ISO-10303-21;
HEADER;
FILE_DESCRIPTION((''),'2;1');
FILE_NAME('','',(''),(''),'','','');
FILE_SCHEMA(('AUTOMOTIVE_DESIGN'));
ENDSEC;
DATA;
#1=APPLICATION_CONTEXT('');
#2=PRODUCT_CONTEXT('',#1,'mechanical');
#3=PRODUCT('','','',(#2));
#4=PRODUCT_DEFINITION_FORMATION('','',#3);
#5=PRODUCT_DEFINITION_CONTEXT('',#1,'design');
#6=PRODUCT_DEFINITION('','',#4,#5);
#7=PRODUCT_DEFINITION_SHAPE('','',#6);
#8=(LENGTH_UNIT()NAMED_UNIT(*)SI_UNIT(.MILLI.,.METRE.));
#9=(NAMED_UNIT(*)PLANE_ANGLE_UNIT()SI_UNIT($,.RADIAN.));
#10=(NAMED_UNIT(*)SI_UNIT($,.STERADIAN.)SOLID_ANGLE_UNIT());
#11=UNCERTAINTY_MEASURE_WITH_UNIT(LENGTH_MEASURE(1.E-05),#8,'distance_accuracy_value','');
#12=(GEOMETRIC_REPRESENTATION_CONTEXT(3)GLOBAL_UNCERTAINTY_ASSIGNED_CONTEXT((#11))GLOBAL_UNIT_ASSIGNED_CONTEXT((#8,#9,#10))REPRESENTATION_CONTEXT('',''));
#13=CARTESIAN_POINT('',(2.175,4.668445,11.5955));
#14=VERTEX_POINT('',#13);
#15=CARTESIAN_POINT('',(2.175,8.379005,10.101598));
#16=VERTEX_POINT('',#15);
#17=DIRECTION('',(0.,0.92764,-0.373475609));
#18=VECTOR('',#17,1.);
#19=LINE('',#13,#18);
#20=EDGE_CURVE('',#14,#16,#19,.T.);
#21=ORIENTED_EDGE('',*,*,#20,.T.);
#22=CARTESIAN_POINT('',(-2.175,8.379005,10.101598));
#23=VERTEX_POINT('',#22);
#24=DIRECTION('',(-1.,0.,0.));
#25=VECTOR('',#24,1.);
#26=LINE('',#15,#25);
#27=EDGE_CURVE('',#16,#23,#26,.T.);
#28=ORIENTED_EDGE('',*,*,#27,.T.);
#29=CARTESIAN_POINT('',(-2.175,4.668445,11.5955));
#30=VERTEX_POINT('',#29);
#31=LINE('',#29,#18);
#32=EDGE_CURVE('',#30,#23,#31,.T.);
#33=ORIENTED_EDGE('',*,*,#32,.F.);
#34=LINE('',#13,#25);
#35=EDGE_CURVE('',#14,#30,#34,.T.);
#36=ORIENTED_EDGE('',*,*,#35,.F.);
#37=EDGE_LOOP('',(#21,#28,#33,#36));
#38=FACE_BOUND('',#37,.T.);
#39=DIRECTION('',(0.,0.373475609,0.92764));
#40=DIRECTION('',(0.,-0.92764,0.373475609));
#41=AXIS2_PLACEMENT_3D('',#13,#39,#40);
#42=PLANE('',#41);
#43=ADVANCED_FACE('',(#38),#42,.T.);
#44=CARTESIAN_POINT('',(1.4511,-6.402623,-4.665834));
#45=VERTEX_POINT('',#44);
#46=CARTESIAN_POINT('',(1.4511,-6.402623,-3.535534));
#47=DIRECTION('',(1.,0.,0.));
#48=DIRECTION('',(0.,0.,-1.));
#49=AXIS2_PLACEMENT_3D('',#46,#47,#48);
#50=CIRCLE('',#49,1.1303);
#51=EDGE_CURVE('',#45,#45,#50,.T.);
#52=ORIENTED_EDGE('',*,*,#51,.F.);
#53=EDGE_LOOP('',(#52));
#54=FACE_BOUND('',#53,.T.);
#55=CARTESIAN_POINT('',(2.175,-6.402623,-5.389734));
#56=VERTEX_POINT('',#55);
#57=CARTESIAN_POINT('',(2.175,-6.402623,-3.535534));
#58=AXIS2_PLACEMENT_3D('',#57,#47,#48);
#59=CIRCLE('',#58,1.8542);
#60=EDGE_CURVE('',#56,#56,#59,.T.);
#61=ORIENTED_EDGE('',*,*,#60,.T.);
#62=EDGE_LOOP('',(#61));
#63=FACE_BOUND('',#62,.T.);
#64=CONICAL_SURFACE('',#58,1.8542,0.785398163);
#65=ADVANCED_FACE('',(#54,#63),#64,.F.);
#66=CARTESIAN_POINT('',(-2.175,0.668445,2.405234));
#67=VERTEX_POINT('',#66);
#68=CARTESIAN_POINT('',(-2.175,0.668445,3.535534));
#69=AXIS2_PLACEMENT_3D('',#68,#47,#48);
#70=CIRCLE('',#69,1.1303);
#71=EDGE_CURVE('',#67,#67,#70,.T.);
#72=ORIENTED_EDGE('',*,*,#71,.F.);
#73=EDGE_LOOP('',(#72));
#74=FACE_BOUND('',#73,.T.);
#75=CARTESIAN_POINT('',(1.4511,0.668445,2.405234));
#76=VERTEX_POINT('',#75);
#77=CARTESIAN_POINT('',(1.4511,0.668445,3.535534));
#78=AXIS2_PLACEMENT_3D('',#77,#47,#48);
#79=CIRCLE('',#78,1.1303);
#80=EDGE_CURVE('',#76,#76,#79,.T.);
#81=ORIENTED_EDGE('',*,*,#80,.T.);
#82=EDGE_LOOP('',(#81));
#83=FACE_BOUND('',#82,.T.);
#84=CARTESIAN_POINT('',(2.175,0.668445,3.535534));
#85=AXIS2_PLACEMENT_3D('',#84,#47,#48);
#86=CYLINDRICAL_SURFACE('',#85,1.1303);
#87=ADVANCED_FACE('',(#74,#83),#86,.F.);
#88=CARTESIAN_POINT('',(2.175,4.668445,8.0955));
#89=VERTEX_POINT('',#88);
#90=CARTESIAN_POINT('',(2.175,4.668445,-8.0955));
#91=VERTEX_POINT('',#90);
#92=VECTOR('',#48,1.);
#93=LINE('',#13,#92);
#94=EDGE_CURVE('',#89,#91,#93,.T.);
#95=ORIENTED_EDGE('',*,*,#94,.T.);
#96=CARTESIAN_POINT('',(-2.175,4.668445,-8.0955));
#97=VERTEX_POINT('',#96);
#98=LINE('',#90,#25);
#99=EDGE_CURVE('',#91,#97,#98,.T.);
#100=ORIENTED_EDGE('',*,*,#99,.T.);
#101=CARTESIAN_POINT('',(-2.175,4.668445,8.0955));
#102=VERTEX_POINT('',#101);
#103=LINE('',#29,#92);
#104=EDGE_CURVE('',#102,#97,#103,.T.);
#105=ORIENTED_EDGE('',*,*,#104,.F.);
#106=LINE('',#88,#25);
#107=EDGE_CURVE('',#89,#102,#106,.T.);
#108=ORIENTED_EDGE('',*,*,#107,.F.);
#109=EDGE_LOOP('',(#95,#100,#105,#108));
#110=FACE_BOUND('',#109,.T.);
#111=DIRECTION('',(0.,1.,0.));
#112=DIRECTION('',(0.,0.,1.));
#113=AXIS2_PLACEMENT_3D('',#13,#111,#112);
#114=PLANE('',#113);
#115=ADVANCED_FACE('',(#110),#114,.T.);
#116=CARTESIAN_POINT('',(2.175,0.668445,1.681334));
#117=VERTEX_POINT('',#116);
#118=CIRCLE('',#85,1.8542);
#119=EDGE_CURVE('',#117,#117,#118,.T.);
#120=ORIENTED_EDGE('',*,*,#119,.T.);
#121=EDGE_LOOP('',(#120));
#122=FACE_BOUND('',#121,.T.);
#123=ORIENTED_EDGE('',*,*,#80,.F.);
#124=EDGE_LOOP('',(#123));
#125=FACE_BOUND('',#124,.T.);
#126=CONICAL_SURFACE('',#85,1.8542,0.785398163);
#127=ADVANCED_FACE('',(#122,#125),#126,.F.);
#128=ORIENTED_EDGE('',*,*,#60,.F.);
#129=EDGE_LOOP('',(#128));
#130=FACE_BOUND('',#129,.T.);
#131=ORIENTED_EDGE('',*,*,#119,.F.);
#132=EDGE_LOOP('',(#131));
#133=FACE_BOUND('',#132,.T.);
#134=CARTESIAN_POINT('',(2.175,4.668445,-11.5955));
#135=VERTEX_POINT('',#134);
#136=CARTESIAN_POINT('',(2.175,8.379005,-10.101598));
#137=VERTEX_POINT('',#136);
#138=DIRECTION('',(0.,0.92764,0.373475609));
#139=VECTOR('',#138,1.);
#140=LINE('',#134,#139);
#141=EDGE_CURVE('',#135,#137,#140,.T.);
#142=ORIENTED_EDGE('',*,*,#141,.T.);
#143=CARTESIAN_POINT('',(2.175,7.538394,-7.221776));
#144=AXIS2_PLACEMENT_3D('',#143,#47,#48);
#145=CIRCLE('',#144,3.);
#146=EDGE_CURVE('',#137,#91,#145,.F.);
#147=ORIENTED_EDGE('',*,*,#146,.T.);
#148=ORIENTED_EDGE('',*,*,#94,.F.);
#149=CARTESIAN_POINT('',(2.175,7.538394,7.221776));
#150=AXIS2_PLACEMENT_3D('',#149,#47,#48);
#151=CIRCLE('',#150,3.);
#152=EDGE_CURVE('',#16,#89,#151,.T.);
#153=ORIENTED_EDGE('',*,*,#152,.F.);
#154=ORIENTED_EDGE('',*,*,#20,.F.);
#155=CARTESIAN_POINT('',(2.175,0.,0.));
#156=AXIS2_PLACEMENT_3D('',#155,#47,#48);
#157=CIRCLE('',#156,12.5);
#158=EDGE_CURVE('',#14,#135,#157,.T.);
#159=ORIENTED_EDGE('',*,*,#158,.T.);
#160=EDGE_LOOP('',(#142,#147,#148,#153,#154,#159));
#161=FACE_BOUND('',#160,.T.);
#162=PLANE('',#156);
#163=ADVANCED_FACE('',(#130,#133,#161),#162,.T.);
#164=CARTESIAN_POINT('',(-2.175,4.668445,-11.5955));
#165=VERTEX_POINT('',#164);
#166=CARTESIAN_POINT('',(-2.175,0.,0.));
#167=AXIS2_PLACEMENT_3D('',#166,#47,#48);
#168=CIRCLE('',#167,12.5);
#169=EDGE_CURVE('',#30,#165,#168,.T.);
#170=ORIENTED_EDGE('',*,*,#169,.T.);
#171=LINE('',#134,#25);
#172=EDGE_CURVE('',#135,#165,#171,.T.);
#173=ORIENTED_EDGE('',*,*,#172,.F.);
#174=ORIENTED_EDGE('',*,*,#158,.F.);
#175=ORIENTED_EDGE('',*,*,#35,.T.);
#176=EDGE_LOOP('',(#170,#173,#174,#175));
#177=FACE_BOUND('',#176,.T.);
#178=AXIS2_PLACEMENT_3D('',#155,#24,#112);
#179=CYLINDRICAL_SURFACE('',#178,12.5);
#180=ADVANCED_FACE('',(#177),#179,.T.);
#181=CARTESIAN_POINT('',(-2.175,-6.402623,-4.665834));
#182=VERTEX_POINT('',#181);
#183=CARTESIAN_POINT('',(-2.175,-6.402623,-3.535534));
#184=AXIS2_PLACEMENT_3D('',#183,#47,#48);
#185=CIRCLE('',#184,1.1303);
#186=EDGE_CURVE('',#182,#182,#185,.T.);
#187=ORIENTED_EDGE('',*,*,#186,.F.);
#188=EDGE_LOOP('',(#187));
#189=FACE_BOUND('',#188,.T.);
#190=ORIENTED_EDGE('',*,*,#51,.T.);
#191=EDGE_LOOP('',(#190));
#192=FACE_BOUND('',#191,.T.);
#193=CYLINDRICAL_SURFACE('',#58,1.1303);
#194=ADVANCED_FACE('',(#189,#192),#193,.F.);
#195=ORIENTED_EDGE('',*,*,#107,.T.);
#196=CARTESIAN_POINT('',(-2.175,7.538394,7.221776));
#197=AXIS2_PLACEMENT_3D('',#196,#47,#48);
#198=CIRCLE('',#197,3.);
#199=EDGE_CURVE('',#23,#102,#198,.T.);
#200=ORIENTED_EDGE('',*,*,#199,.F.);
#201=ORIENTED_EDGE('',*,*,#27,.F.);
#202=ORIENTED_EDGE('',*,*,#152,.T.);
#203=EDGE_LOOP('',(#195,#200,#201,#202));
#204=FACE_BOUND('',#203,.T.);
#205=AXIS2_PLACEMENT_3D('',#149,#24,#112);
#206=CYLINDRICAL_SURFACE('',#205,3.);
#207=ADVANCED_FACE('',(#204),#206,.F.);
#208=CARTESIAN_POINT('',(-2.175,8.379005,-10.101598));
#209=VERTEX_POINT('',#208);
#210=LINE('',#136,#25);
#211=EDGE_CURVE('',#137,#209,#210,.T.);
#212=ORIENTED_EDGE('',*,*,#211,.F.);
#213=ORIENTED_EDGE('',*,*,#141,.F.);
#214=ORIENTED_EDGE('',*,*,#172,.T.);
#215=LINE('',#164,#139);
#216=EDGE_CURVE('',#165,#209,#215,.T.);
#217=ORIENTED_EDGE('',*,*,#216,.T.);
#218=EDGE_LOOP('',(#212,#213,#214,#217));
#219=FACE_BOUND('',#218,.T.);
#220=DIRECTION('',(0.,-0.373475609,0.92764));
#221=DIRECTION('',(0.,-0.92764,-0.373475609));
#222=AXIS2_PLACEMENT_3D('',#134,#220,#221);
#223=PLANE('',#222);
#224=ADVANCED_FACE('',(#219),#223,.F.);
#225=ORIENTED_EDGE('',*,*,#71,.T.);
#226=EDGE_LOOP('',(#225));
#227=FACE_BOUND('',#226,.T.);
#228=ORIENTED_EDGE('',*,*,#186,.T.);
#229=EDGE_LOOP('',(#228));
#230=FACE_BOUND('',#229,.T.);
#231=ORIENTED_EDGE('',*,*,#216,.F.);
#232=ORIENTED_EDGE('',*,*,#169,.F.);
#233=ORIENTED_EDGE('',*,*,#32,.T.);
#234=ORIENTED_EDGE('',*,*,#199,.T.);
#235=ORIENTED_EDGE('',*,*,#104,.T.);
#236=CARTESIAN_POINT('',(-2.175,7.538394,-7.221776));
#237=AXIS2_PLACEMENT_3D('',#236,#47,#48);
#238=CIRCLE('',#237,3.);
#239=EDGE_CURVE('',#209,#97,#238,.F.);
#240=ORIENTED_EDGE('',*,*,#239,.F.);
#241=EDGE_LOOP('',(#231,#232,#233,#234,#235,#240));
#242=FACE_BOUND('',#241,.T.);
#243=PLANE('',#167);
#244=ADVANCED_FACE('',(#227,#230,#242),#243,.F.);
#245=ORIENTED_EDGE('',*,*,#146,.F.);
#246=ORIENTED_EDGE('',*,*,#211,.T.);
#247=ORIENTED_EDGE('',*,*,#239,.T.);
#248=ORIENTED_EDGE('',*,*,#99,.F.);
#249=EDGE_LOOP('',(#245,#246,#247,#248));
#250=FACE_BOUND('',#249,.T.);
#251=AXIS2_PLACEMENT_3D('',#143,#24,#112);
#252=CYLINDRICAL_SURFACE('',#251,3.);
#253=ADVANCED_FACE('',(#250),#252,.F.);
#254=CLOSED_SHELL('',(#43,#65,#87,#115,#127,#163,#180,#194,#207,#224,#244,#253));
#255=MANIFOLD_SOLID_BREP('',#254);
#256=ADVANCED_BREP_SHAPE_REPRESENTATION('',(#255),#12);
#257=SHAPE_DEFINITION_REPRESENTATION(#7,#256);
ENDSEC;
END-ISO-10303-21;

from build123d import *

# Parameters (mm, degrees)
BOSS_EXTRUDE1_DEPTH             = 2.175
F_2_CLEARANCE_HOLE2_D           = 2.2606
F_2_CLEARANCE_HOLE2_CSINK_D     = 3.7084
F_2_CLEARANCE_HOLE2_CSINK_ANGLE = 90


with BuildPart() as part:
    # Sketch1 → Boss-Extrude1 (new, symmetric)
    with BuildSketch(Plane(origin=(0, 0, 0), x_dir=(0, 0, -1), z_dir=(1, 0, 0))):
        with BuildLine():
            Line((-10.101597565, 8.379005111), (-11.5955, 4.668445111))
            ThreePointArc((-11.5955, 4.668445111), (0, -12.5), (11.5955, 4.668445111))
            Line((11.5955, 4.668445111), (10.101597565, 8.379005111))
            ThreePointArc((10.101597565, 8.379005111), (9.860779562, 6.11162847), (8.0955, 4.668445111))
            Line((8.0955, 4.668445111), (-8.0955, 4.668445111))
            ThreePointArc((-8.0955, 4.668445111), (-9.860779562, 6.11162847), (-10.101597565, 8.379005111))
        make_face()
    extrude(amount=BOSS_EXTRUDE1_DEPTH, both=True)

    # #2 Clearance Hole2 (through all)
    with Locations(Plane(origin=(2.175, 0.668445111, 3.535533906), x_dir=(0, 0, 1), z_dir=(1, 0, 0))):
        with Locations((0, 0), (-7.071067812, 7.071067812)):
            CounterSinkHole(F_2_CLEARANCE_HOLE2_D / 2, F_2_CLEARANCE_HOLE2_CSINK_D / 2, counter_sink_angle=F_2_CLEARANCE_HOLE2_CSINK_ANGLE)


solid = part.part
